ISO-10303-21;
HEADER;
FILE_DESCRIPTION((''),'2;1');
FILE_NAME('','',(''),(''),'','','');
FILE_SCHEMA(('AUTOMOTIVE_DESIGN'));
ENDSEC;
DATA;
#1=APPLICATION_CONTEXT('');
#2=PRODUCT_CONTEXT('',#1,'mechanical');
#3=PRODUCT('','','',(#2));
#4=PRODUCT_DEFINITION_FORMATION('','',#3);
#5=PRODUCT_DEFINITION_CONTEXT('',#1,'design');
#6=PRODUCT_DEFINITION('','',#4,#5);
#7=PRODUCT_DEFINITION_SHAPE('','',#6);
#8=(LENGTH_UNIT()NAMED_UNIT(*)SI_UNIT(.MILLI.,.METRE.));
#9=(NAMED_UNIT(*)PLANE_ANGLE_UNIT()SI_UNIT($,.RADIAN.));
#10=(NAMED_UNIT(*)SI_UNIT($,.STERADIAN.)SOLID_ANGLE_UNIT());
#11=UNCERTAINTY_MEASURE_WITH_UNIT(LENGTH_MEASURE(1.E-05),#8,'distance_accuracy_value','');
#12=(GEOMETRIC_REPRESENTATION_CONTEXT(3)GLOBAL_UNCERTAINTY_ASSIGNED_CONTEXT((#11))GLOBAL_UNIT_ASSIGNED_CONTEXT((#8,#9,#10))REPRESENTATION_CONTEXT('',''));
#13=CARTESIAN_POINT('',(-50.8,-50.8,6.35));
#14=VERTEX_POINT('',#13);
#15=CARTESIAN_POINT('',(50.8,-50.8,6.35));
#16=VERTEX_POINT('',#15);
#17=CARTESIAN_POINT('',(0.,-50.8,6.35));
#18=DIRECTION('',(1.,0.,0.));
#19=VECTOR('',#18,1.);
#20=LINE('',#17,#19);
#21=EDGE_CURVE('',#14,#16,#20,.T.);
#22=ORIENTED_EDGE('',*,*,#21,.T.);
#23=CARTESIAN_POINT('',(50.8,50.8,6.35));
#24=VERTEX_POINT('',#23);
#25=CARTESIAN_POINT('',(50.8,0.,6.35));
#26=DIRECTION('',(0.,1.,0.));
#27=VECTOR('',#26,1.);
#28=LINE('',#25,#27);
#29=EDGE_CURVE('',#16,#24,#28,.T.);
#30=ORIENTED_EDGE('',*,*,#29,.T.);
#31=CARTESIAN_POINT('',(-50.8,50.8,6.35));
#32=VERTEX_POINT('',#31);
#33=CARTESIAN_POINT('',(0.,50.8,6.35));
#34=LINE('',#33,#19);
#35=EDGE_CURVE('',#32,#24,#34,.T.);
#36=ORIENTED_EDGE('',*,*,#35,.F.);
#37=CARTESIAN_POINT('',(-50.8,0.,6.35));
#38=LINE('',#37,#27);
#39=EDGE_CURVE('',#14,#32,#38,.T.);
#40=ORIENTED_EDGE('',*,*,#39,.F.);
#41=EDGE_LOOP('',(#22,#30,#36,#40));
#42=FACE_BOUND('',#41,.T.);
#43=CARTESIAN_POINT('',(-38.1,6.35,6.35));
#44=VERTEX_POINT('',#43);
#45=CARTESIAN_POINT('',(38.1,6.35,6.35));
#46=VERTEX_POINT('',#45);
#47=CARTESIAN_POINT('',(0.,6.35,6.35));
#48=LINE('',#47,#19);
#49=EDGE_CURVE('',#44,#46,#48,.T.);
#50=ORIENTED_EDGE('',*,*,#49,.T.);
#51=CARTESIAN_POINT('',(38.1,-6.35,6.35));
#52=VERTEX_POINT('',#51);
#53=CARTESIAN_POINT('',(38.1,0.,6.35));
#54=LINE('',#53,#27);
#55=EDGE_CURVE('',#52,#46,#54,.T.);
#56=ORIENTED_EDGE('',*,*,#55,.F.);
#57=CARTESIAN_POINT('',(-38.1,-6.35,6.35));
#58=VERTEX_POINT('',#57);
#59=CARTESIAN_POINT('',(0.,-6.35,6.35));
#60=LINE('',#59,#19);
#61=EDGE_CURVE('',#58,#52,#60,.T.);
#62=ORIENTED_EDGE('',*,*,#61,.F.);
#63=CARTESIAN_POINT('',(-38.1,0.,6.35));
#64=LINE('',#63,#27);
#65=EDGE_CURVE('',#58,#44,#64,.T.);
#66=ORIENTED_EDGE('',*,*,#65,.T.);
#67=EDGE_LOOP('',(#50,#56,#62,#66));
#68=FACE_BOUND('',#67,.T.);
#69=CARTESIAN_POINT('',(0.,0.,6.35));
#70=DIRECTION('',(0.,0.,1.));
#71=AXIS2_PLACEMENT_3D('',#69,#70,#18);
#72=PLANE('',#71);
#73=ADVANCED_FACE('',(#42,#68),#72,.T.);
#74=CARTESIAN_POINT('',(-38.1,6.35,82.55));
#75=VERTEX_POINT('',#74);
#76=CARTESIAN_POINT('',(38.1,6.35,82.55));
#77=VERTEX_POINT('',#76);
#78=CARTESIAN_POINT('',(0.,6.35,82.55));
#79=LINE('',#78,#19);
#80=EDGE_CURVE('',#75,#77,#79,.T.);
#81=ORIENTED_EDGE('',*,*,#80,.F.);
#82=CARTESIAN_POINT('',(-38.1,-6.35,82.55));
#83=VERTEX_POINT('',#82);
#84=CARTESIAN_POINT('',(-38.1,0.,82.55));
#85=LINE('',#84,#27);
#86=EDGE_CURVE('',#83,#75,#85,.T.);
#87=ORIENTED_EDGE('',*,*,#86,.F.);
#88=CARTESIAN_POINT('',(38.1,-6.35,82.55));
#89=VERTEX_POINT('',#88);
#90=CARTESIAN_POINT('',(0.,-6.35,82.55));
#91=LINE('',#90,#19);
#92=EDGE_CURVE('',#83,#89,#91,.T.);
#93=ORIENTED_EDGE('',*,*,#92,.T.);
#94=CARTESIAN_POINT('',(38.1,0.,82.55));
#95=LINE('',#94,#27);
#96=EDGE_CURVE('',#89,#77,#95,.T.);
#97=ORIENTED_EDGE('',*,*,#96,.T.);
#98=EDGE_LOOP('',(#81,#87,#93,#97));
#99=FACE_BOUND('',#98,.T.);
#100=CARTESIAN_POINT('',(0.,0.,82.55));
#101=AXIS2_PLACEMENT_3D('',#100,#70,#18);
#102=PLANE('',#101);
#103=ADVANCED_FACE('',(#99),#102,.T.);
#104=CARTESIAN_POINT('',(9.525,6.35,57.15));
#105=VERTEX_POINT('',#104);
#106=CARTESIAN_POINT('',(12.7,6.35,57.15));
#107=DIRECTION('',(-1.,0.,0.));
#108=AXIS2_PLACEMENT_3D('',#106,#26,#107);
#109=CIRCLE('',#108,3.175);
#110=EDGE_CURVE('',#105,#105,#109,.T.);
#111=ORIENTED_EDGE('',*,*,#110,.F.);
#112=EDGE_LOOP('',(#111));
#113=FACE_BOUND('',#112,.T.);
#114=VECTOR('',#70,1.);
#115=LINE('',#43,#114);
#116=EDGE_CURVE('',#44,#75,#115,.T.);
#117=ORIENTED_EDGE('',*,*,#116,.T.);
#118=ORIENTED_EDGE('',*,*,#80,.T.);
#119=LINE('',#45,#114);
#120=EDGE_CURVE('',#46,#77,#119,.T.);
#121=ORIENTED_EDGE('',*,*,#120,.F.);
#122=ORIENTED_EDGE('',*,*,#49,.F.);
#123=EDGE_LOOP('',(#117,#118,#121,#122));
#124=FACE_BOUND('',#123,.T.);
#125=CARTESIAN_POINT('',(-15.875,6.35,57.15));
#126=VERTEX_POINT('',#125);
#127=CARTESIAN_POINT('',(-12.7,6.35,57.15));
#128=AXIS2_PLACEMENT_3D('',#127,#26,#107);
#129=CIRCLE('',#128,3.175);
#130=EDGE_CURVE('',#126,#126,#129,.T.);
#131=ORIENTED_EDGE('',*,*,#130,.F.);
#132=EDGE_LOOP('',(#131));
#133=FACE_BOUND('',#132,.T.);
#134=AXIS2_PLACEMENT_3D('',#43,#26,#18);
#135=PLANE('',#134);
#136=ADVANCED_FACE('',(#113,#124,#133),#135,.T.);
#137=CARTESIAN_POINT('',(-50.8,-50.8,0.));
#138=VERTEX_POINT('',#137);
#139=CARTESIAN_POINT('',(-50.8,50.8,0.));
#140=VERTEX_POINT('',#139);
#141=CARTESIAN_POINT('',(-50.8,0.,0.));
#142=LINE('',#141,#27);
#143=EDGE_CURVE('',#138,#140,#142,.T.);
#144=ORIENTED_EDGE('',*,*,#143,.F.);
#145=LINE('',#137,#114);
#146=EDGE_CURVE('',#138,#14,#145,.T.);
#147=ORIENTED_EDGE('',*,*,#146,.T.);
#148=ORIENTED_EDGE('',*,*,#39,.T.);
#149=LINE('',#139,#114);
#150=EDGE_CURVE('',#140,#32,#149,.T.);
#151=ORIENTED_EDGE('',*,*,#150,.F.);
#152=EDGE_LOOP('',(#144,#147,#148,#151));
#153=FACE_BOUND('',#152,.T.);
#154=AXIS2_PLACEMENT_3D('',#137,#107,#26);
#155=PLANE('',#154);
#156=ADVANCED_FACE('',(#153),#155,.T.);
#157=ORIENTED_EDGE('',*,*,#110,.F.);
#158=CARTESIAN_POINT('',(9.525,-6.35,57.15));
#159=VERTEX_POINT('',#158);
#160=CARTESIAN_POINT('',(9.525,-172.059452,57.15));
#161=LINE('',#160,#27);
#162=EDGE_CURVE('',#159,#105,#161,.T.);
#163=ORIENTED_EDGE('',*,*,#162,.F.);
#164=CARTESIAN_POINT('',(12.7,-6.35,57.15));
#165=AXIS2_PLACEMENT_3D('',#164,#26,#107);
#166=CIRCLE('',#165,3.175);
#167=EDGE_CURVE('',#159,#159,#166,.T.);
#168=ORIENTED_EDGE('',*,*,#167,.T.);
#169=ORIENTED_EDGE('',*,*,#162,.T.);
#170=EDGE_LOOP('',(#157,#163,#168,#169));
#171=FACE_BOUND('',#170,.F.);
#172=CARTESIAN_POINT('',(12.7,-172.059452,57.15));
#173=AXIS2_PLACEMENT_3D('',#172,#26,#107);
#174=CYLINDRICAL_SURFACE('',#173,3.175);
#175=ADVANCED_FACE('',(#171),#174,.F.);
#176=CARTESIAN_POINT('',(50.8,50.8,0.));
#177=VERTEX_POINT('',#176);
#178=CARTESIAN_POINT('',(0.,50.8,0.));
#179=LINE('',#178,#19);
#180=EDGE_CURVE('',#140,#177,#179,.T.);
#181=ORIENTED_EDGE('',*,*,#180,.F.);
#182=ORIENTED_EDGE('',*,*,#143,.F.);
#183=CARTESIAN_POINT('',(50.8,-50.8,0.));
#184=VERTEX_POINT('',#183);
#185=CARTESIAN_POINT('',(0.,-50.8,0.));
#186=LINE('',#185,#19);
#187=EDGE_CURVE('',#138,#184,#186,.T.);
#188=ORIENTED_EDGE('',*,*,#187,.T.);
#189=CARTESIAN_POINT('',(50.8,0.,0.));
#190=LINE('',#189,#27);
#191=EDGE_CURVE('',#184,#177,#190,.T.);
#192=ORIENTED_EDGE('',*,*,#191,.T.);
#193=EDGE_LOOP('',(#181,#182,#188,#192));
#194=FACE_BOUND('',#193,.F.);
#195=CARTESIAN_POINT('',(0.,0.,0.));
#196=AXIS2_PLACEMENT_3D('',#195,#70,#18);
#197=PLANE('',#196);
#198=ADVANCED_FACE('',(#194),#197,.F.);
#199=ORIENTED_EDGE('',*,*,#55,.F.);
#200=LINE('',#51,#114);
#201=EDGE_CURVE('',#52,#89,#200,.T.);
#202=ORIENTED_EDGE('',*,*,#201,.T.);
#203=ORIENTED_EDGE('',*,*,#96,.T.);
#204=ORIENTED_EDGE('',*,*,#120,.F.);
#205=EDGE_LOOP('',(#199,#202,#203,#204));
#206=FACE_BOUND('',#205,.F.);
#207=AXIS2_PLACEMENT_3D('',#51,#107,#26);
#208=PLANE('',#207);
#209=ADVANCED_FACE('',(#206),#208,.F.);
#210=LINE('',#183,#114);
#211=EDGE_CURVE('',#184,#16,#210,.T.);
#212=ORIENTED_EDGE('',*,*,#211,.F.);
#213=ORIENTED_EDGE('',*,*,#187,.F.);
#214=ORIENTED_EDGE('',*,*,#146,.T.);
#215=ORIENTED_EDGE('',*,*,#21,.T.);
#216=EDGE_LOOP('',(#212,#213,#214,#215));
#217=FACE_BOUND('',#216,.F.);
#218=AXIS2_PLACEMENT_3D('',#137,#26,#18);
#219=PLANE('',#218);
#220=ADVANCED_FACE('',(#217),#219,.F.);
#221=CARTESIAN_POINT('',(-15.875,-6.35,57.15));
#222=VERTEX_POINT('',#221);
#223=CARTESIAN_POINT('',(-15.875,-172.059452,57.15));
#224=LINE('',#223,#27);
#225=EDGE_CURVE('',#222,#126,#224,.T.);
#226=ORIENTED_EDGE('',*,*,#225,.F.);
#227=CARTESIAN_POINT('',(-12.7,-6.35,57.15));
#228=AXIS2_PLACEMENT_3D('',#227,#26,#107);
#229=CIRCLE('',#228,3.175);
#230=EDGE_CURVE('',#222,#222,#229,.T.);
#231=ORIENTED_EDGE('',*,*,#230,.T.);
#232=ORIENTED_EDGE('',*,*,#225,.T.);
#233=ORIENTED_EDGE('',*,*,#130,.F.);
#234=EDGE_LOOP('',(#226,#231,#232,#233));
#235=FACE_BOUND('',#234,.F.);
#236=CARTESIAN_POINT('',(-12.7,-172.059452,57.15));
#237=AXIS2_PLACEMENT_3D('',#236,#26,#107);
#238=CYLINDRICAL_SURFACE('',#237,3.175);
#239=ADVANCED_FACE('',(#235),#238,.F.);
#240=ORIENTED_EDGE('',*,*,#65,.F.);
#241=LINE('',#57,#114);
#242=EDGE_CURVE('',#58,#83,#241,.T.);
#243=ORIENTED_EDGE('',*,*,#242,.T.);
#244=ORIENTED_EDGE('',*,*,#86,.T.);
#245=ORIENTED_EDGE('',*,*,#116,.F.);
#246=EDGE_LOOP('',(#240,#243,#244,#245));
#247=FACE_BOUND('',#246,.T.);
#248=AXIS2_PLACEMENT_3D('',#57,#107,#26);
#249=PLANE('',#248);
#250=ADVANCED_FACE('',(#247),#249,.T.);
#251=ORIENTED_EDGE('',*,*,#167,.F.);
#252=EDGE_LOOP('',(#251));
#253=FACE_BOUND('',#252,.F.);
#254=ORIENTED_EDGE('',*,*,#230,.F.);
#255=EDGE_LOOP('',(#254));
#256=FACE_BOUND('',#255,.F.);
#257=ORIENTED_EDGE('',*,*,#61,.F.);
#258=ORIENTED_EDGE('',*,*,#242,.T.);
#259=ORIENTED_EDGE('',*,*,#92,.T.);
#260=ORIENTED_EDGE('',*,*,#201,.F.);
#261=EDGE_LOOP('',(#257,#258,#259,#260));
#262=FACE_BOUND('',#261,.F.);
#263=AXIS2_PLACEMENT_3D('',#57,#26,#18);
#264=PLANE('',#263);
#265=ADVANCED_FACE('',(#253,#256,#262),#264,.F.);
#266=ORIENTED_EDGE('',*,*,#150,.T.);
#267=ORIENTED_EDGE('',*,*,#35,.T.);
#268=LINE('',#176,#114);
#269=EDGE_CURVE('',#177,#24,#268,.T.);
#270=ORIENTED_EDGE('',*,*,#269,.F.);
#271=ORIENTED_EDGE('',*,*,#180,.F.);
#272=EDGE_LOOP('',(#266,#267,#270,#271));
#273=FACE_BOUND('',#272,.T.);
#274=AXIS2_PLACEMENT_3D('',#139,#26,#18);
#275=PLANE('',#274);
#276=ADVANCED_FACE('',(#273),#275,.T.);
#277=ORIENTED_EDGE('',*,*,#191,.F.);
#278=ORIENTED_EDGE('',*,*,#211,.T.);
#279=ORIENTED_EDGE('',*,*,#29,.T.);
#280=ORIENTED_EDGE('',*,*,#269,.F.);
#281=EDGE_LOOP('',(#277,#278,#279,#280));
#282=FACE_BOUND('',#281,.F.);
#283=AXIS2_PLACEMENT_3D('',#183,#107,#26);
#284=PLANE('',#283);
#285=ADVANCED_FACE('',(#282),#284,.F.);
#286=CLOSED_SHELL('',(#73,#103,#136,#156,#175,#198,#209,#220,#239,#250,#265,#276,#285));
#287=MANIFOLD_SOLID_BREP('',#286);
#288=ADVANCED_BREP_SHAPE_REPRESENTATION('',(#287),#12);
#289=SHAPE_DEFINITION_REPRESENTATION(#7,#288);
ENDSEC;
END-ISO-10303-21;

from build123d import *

# Parameters (mm, degrees)
F0_W     = 101.6
F0_H     = 101.6
F1_DEPTH = 6.35
F2_W     = 76.2
F2_H     = 12.7
F3_DEPTH = 76.2
F5_D     = 6.35


with BuildPart() as f1:
    # F0 (on Top) → F1 (new body)
    with BuildSketch(Plane.XY):
        Rectangle(F0_W, F0_H)
    extrude(amount=F1_DEPTH)

    # F2 (on face) → F3 (join)
    with BuildSketch(Plane.XY.offset(6.35)):
        Rectangle(F2_W, F2_H)
    extrude(amount=F3_DEPTH)

    # F5 (through all)
    with Locations(Plane.XZ.offset(6.35)):
        with Locations((-12.7, 57.15), (12.7, 57.15)):
            Hole(F5_D / 2)


solid = f1.part
